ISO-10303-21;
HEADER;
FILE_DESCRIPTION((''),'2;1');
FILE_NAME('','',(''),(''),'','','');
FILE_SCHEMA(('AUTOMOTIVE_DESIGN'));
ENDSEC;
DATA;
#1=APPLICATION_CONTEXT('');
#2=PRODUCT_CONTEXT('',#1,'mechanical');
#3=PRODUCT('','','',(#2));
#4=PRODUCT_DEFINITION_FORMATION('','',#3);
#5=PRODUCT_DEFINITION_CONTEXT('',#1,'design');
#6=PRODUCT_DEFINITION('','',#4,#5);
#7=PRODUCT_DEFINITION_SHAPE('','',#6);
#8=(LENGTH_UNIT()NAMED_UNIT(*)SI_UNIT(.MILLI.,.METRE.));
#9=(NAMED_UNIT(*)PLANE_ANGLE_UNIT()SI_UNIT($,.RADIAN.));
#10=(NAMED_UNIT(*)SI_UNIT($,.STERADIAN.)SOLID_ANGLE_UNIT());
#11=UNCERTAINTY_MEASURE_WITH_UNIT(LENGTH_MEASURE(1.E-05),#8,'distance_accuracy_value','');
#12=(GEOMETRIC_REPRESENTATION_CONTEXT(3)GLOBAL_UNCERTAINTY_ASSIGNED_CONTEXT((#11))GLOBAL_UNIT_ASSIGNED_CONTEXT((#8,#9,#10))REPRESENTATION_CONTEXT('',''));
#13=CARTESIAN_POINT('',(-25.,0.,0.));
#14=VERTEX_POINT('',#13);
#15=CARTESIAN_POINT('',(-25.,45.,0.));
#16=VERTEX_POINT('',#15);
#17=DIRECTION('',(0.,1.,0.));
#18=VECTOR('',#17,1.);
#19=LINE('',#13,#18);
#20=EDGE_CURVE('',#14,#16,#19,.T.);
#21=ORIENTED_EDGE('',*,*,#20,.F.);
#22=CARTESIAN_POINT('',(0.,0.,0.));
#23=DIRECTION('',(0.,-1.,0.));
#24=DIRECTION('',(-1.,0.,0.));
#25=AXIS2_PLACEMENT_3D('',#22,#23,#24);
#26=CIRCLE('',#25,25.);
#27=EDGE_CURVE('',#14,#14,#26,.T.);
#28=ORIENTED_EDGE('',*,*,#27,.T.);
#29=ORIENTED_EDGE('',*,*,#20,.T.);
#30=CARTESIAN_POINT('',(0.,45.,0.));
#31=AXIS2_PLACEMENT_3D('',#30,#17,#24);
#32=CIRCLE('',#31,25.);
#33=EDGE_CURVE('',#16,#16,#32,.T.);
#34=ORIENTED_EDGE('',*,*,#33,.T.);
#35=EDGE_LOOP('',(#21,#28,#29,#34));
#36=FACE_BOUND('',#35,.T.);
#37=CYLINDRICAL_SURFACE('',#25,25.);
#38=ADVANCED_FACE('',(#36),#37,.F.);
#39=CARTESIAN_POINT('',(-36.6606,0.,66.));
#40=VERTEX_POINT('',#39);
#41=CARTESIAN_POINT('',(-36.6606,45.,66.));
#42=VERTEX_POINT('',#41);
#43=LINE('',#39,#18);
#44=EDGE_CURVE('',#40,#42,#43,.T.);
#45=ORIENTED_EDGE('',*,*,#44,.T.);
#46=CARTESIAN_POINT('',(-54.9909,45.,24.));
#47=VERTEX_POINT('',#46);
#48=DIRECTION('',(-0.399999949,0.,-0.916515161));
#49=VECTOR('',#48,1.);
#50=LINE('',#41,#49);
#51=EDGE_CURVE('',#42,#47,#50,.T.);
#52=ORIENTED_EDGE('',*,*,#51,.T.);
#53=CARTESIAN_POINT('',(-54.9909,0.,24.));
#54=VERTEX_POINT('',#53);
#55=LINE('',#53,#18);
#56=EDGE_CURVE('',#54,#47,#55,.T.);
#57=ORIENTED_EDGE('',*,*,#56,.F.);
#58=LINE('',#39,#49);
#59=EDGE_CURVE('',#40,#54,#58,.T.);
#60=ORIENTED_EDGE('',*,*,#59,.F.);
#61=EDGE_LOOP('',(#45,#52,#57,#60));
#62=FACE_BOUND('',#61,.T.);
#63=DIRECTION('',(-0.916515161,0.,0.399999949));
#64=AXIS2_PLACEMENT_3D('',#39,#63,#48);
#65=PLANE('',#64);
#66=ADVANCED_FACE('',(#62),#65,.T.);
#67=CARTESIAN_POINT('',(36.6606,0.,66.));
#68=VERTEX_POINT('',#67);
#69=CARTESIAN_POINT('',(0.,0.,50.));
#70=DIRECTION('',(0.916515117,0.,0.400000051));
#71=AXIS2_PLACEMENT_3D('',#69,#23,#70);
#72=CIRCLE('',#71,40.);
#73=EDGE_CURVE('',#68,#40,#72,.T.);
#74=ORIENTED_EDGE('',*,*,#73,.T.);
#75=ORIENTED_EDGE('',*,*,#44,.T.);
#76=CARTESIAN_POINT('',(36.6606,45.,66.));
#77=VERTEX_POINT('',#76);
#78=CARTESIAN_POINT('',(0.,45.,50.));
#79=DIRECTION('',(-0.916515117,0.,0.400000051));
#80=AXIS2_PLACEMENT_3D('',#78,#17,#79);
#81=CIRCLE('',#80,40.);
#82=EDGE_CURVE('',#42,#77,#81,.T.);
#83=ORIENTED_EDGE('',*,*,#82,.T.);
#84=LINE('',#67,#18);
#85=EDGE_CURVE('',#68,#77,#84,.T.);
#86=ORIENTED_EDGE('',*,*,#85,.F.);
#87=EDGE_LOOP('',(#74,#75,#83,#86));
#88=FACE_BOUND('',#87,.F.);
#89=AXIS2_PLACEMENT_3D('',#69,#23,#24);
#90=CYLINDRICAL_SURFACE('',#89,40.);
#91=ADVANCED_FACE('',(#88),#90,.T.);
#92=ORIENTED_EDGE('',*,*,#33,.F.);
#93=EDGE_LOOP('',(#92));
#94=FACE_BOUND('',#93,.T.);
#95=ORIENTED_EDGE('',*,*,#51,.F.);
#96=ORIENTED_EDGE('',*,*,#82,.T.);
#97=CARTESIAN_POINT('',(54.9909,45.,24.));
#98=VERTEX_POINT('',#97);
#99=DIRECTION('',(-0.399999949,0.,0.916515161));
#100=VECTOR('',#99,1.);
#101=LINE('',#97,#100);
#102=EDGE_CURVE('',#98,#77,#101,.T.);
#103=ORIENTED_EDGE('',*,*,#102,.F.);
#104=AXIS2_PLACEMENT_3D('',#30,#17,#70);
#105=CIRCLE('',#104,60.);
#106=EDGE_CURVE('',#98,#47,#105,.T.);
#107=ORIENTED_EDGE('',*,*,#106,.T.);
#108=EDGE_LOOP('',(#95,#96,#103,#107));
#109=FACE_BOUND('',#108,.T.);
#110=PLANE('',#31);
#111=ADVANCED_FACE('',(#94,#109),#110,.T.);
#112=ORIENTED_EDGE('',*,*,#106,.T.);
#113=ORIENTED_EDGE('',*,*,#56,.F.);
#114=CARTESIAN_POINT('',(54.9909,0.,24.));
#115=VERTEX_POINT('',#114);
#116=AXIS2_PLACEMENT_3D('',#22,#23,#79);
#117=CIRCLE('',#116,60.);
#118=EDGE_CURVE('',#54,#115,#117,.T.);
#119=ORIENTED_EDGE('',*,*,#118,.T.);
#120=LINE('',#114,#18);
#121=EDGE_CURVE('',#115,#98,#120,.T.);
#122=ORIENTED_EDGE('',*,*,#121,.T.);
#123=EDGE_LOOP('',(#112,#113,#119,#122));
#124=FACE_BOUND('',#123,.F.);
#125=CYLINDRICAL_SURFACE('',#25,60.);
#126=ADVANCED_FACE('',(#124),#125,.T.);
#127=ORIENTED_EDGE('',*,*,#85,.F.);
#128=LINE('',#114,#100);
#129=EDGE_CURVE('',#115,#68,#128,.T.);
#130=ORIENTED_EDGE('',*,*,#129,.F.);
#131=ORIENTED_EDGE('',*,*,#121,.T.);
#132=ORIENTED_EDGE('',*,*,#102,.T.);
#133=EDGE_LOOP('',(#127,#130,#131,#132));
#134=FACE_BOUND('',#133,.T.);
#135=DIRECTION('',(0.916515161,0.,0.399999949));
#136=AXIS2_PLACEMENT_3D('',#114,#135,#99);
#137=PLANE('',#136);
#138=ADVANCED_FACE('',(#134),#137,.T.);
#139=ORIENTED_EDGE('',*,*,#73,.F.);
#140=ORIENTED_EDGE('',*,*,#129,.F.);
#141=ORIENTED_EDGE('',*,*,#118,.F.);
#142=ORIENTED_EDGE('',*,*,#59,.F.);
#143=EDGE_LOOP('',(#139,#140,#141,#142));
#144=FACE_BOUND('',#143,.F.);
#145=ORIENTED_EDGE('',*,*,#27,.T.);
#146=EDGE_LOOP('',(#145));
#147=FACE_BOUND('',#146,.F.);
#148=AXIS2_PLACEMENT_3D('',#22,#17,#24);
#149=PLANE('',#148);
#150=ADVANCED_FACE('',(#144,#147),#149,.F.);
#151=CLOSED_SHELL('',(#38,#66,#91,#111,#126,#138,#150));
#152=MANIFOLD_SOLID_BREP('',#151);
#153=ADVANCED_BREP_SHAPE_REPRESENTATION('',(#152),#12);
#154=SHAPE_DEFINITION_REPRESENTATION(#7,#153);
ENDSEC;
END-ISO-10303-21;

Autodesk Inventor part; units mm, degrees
ref_plane "YZ Plane" through (0, 0, 0) normal (1, 0, 0) x (0, 1, 0)
ref_plane "XZ Plane" through (0, 0, 0) normal (0, 1, 0) x (-1, 0, 0)
ref_plane "XY Plane" through (0, 0, 0) normal (0, 0, 1) x (1, 0, 0)
sketch "草圖1" plane through (0, 0, 0) normal (0, 1, 0) x (-1, 0, 0)
  circle A0 centre (0, 0) radius 25
  circle A1 centre (0, 50) radius 40
  line L0 (0, 90) -> (52.1614, 90)
  circle A2 centre (0, 0) radius 60
  line L1 (0, -60) -> (92.0478, -60)
  line L2 (36.6606, 66) -> (54.9909, 24)
  line L3 (-54.9909, 24) -> (-36.6606, 66)
  dimension "d0" = 50
  dimension "d4" = 120
  dimension "d5" = 80
  dimension "d7" = 50
extrude "擠出1" add sketch "草圖1" along normal blind 45 contours A0 A1 A2 | A0 A1 A2 | A2 A1 | A1 L2 A2 | A2 L3 A1
properties part number "偏心倫"
